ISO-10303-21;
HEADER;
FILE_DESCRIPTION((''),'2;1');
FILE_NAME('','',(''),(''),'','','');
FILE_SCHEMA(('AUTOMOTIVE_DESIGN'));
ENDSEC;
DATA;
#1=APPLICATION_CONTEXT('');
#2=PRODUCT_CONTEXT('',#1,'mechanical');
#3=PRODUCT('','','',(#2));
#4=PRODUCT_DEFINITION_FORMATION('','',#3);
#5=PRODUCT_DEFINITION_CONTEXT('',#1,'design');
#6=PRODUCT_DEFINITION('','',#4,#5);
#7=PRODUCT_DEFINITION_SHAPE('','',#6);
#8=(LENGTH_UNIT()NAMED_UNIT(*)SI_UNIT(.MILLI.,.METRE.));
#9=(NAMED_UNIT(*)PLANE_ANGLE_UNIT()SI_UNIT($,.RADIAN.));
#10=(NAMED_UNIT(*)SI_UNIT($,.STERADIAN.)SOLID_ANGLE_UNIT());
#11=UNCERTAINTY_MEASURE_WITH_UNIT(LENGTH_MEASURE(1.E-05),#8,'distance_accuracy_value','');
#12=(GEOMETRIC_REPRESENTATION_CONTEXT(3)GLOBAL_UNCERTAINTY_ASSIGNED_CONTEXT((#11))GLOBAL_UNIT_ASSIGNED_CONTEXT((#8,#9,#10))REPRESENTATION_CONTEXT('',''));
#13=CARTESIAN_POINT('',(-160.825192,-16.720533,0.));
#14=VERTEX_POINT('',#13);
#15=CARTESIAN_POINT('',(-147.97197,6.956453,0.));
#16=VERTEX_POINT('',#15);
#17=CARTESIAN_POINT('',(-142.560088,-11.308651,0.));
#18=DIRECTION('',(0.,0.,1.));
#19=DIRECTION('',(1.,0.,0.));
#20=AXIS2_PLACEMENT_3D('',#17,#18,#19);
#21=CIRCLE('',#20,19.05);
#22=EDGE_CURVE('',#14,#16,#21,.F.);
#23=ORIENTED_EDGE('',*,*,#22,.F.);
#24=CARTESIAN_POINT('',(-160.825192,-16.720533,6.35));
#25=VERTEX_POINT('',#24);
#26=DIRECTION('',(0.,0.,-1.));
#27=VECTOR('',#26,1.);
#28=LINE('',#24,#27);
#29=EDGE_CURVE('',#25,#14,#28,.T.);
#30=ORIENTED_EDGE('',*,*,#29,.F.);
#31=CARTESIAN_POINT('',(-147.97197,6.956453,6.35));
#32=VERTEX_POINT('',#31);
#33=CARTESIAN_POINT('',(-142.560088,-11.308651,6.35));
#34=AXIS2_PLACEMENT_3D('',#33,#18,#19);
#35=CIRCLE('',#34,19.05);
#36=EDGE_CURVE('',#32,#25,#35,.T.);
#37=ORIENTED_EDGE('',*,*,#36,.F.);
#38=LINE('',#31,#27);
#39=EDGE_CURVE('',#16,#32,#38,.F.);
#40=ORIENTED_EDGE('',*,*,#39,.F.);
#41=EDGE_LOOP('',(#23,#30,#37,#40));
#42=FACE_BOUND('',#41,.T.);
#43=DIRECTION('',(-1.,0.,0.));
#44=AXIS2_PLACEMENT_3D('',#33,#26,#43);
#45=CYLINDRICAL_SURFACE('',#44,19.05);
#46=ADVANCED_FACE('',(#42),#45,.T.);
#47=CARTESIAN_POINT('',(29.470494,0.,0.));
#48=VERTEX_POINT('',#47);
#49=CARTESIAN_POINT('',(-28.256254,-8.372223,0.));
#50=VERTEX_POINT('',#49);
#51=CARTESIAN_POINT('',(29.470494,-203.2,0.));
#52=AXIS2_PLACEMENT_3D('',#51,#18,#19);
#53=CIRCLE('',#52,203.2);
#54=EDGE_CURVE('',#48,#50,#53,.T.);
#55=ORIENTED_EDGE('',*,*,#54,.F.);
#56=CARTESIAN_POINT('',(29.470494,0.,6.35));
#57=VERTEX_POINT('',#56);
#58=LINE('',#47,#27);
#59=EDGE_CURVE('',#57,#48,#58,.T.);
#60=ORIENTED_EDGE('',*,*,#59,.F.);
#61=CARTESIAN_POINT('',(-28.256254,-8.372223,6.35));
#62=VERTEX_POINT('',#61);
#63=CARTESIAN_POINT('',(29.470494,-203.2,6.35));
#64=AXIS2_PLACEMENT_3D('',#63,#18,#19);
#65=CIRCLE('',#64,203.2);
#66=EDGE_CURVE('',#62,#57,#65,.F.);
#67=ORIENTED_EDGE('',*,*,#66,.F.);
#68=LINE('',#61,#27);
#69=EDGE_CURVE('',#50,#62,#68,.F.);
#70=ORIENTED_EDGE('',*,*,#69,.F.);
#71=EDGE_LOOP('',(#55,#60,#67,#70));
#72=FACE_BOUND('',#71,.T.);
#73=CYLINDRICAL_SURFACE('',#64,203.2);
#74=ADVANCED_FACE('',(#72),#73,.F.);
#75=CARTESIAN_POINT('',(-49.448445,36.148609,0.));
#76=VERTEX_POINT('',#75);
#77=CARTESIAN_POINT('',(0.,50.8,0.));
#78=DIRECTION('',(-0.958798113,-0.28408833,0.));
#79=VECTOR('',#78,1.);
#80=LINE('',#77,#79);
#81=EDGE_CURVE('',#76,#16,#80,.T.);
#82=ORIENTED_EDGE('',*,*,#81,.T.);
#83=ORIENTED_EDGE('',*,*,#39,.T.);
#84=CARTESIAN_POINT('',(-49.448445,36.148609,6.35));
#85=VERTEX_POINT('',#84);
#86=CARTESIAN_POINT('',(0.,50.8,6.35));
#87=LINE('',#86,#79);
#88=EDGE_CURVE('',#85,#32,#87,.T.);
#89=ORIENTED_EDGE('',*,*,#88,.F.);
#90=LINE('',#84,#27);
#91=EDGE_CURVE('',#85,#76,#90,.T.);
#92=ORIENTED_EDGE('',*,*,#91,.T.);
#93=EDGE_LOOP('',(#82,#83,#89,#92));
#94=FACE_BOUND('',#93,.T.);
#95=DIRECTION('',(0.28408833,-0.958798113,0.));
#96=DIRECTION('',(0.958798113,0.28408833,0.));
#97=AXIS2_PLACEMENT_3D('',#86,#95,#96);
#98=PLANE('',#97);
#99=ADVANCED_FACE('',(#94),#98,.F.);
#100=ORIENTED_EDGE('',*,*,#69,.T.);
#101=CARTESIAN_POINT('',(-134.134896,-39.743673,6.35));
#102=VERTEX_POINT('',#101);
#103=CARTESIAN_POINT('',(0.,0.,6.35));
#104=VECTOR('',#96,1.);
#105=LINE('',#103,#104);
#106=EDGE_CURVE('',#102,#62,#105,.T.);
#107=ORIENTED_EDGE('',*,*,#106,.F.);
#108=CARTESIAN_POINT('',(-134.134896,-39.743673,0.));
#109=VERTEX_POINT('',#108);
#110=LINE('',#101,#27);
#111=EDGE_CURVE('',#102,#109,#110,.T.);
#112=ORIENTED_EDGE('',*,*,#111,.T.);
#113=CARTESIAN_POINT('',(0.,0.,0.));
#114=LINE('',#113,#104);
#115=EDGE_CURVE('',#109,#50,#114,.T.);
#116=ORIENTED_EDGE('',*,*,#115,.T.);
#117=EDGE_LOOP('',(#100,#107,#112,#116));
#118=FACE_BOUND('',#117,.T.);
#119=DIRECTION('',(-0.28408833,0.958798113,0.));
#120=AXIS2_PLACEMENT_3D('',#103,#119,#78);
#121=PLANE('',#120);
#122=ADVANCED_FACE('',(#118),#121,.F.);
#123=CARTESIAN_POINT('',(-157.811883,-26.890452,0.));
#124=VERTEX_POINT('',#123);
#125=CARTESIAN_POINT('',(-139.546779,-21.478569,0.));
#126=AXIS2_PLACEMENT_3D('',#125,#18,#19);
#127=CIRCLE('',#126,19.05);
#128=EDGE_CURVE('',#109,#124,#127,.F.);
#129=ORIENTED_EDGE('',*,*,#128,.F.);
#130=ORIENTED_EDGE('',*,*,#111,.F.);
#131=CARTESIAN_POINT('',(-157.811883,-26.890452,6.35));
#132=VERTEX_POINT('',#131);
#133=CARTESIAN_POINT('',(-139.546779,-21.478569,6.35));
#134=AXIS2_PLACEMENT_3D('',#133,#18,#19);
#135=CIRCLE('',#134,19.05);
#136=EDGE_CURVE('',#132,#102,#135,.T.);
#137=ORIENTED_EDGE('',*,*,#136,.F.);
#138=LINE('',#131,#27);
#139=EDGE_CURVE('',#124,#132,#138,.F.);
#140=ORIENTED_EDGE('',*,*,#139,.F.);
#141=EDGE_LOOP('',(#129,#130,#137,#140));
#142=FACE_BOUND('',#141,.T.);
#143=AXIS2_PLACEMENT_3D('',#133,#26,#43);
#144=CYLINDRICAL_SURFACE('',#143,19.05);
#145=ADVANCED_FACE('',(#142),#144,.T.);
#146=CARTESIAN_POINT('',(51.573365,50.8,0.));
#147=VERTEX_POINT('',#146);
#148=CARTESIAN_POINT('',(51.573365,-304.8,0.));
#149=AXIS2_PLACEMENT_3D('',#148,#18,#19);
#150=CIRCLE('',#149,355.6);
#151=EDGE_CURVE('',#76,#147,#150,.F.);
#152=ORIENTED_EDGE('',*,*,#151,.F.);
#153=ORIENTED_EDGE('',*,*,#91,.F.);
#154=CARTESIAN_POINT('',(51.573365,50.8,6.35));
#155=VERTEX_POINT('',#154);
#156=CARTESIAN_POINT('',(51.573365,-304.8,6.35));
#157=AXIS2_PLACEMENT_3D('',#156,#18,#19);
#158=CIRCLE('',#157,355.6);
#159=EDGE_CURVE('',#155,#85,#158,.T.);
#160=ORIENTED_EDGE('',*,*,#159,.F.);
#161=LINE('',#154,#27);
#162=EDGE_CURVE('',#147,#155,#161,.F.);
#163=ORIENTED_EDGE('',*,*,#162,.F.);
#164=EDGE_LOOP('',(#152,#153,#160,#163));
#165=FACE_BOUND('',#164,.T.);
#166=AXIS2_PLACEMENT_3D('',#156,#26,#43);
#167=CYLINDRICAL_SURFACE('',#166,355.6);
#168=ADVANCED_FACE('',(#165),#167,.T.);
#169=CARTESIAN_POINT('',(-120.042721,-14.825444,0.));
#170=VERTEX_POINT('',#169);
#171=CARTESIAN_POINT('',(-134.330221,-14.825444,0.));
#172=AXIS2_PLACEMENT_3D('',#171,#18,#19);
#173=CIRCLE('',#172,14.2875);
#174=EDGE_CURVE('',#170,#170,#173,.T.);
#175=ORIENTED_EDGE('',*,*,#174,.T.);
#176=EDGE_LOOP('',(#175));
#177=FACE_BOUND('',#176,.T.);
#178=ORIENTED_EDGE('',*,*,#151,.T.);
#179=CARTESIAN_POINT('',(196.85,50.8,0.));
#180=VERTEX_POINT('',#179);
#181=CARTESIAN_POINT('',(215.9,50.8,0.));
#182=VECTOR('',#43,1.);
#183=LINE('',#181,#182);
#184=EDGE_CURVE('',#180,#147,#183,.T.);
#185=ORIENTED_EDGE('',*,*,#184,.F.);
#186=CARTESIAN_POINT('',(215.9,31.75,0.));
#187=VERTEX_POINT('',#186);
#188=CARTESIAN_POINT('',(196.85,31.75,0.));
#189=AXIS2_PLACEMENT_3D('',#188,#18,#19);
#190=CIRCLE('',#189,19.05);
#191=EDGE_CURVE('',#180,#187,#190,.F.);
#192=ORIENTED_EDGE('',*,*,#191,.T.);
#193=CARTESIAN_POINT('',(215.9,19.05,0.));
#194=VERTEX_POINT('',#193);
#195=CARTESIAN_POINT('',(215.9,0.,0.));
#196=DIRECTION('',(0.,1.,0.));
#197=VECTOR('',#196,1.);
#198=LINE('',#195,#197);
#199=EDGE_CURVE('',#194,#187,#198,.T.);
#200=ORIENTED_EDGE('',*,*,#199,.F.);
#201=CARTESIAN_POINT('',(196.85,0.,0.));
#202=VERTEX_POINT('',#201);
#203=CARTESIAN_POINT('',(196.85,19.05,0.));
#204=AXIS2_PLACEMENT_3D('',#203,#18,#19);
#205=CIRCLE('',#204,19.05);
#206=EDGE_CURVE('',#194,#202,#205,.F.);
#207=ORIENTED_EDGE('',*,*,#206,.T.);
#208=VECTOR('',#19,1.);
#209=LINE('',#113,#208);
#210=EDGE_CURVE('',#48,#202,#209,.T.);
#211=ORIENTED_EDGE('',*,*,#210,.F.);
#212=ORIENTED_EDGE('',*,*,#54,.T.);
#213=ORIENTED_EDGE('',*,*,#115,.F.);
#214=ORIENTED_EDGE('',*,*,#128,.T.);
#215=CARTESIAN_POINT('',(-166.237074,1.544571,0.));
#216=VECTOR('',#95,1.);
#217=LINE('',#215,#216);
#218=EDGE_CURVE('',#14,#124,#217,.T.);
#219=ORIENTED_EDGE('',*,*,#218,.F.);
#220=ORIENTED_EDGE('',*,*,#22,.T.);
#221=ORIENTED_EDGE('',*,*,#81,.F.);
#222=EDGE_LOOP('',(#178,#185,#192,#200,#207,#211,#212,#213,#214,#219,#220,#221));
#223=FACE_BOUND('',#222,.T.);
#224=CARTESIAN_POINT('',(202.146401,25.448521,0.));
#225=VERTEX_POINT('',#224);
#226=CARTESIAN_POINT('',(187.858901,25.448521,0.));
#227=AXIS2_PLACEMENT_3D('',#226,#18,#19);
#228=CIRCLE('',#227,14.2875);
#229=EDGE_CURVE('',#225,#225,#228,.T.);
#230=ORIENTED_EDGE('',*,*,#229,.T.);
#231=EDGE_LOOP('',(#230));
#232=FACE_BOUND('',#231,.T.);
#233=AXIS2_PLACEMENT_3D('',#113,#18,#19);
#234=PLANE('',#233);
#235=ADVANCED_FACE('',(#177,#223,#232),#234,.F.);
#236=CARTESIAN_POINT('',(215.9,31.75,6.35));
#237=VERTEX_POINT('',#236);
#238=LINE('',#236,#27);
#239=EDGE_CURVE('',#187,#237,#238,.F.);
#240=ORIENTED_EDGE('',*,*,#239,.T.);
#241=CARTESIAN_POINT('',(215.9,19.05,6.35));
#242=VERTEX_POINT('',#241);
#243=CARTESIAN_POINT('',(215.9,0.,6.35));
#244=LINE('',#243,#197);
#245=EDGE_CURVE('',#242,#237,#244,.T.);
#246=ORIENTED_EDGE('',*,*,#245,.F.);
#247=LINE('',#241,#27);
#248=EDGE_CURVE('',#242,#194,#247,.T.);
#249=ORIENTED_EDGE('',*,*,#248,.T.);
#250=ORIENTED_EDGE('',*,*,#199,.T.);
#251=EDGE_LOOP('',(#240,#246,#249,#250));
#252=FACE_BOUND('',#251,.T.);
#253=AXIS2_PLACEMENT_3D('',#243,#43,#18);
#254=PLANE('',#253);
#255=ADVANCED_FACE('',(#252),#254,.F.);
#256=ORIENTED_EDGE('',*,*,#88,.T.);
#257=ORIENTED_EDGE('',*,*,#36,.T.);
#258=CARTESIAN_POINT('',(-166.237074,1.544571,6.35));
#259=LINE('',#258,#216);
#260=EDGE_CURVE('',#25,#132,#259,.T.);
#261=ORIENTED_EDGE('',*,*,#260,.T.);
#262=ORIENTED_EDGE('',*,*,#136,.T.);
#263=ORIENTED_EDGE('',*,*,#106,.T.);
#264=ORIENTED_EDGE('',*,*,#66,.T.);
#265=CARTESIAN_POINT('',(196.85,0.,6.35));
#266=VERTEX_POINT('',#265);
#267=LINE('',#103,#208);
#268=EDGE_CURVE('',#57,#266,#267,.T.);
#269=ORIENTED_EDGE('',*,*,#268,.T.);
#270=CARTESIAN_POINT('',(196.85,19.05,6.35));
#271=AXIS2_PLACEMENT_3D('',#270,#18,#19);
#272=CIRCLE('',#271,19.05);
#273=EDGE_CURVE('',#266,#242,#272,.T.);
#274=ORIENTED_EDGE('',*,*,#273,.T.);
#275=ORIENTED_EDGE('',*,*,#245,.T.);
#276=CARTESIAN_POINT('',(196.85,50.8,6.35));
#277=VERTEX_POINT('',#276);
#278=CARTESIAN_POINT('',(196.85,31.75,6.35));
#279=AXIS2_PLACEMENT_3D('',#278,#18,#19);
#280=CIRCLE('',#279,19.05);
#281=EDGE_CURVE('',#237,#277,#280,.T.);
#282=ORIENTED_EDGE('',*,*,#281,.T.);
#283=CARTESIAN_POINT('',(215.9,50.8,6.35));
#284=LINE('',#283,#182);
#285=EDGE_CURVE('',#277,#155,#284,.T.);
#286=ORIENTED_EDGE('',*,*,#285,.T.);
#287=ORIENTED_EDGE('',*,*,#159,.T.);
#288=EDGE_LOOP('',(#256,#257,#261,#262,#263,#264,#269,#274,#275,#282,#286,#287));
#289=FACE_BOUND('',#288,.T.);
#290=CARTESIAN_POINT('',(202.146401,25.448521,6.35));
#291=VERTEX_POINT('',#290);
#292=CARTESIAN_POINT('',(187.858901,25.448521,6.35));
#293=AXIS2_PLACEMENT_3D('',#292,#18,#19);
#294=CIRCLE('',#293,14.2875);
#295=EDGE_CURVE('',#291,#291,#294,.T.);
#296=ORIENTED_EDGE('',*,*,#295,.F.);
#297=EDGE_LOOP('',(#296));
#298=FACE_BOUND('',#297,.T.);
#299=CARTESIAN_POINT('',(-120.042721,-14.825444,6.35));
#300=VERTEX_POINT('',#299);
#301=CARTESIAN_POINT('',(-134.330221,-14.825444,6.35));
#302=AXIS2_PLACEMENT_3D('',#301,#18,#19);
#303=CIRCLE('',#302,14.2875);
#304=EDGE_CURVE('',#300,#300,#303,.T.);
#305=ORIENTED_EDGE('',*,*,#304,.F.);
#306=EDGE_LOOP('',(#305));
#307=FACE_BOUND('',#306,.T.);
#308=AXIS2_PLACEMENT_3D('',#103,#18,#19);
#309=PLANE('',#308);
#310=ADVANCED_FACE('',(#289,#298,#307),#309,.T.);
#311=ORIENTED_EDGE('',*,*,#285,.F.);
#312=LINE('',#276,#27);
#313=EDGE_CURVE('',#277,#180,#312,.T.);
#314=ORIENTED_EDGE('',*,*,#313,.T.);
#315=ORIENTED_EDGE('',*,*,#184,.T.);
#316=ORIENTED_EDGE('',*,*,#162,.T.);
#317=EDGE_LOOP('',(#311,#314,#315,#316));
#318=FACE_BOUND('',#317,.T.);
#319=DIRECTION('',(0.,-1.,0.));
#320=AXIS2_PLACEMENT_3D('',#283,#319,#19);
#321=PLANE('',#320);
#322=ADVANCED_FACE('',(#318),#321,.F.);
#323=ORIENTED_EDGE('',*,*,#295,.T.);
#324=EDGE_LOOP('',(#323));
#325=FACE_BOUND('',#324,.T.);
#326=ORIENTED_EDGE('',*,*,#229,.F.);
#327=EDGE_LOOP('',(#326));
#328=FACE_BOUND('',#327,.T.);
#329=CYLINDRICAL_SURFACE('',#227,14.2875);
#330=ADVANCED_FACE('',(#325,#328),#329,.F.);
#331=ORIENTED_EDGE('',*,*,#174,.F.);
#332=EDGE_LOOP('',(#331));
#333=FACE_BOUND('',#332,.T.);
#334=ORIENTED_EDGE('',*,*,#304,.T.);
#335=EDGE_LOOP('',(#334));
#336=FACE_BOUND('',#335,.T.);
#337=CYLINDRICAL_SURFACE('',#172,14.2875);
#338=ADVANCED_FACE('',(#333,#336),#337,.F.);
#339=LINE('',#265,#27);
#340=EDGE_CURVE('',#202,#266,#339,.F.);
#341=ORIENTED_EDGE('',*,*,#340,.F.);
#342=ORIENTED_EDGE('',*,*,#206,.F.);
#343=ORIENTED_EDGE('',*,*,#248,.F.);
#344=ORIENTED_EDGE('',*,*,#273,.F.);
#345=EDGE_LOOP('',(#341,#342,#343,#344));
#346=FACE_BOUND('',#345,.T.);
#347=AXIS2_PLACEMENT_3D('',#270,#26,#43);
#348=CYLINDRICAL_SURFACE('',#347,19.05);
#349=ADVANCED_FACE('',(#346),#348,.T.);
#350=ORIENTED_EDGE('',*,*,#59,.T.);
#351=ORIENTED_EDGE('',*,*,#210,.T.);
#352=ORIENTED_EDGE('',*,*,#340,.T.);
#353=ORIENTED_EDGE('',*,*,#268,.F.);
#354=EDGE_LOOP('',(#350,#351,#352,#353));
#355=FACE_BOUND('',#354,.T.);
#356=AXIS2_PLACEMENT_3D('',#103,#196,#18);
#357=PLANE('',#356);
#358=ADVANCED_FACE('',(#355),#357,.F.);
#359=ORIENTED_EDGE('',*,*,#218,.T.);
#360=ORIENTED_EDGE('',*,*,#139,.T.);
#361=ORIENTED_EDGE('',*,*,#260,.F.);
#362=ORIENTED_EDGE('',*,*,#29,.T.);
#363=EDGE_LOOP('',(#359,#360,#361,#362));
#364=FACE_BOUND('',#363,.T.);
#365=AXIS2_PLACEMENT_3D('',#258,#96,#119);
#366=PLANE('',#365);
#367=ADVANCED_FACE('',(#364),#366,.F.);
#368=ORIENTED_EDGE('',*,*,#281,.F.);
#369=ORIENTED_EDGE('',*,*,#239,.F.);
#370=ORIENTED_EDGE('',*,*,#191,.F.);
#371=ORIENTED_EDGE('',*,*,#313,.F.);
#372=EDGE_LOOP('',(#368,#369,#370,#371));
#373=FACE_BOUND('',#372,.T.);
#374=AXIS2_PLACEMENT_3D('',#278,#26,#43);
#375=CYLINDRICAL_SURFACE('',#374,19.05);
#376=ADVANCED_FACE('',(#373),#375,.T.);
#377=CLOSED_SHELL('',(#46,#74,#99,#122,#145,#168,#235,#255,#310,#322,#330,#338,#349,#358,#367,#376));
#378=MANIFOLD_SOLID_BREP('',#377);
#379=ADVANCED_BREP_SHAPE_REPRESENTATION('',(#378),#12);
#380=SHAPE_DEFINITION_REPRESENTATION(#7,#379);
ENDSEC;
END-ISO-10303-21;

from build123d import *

# Parameters (mm, degrees)
BOSS_EXTRUDE1_DEPTH = 6.35
FILLET1_R           = 203.2
FILLET2_R           = 355.6
FILLET3_R           = 19.05
FILLET4_R           = 19.05
FILLET5_R           = 19.05
FILLET6_R           = 19.05
SKETCH2_R           = 14.2875
CUT_EXTRUDE1_DEPTH  = 6.35


with BuildPart() as part:
    # Sketch1 → Boss-Extrude1 (new body)
    with BuildSketch(Plane.XY):
        Polygon((0, 0), (215.9, 0), (215.9, 50.8), (0, 50.8), (-166.237074401, 1.544570548), (-152.4, -45.155555556), align=None)
    extrude(amount=BOSS_EXTRUDE1_DEPTH)

    # Fillet1
    fillet1_edges = [part.edges().sort_by_distance(p)[0] for p in [
        (0, 0, 3.175),
    ]]
    fillet(fillet1_edges, radius=FILLET1_R)

    # Fillet2
    fillet2_edges = [part.edges().sort_by_distance(p)[0] for p in [
        (0, 50.8, 3.175),
    ]]
    fillet(fillet2_edges, radius=FILLET2_R)

    # Fillet3
    fillet3_edges = [part.edges().sort_by_distance(p)[0] for p in [
        (-166.237074401, 1.544570548, 3.175),
    ]]
    fillet(fillet3_edges, radius=FILLET3_R)

    # Fillet4
    fillet4_edges = [part.edges().sort_by_distance(p)[0] for p in [
        (-152.4, -45.155555556, 3.175),
    ]]
    fillet(fillet4_edges, radius=FILLET4_R)

    # Fillet5
    fillet5_edges = [part.edges().sort_by_distance(p)[0] for p in [
        (215.9, 50.8, 3.175),
    ]]
    fillet(fillet5_edges, radius=FILLET5_R)

    # Fillet6
    fillet6_edges = [part.edges().sort_by_distance(p)[0] for p in [
        (215.9, 0, 3.175),
    ]]
    fillet(fillet6_edges, radius=FILLET6_R)

    # Sketch2 → Cut-Extrude1 (cut)
    with BuildSketch(Plane.XY.offset(6.35)):
        with Locations((-134.33022138, -14.825444286)):
            Circle(SKETCH2_R)
        with Locations((187.858901067, 25.448520628)):
            Circle(SKETCH2_R)
    extrude(amount=-CUT_EXTRUDE1_DEPTH, mode=Mode.SUBTRACT)


solid = part.part
